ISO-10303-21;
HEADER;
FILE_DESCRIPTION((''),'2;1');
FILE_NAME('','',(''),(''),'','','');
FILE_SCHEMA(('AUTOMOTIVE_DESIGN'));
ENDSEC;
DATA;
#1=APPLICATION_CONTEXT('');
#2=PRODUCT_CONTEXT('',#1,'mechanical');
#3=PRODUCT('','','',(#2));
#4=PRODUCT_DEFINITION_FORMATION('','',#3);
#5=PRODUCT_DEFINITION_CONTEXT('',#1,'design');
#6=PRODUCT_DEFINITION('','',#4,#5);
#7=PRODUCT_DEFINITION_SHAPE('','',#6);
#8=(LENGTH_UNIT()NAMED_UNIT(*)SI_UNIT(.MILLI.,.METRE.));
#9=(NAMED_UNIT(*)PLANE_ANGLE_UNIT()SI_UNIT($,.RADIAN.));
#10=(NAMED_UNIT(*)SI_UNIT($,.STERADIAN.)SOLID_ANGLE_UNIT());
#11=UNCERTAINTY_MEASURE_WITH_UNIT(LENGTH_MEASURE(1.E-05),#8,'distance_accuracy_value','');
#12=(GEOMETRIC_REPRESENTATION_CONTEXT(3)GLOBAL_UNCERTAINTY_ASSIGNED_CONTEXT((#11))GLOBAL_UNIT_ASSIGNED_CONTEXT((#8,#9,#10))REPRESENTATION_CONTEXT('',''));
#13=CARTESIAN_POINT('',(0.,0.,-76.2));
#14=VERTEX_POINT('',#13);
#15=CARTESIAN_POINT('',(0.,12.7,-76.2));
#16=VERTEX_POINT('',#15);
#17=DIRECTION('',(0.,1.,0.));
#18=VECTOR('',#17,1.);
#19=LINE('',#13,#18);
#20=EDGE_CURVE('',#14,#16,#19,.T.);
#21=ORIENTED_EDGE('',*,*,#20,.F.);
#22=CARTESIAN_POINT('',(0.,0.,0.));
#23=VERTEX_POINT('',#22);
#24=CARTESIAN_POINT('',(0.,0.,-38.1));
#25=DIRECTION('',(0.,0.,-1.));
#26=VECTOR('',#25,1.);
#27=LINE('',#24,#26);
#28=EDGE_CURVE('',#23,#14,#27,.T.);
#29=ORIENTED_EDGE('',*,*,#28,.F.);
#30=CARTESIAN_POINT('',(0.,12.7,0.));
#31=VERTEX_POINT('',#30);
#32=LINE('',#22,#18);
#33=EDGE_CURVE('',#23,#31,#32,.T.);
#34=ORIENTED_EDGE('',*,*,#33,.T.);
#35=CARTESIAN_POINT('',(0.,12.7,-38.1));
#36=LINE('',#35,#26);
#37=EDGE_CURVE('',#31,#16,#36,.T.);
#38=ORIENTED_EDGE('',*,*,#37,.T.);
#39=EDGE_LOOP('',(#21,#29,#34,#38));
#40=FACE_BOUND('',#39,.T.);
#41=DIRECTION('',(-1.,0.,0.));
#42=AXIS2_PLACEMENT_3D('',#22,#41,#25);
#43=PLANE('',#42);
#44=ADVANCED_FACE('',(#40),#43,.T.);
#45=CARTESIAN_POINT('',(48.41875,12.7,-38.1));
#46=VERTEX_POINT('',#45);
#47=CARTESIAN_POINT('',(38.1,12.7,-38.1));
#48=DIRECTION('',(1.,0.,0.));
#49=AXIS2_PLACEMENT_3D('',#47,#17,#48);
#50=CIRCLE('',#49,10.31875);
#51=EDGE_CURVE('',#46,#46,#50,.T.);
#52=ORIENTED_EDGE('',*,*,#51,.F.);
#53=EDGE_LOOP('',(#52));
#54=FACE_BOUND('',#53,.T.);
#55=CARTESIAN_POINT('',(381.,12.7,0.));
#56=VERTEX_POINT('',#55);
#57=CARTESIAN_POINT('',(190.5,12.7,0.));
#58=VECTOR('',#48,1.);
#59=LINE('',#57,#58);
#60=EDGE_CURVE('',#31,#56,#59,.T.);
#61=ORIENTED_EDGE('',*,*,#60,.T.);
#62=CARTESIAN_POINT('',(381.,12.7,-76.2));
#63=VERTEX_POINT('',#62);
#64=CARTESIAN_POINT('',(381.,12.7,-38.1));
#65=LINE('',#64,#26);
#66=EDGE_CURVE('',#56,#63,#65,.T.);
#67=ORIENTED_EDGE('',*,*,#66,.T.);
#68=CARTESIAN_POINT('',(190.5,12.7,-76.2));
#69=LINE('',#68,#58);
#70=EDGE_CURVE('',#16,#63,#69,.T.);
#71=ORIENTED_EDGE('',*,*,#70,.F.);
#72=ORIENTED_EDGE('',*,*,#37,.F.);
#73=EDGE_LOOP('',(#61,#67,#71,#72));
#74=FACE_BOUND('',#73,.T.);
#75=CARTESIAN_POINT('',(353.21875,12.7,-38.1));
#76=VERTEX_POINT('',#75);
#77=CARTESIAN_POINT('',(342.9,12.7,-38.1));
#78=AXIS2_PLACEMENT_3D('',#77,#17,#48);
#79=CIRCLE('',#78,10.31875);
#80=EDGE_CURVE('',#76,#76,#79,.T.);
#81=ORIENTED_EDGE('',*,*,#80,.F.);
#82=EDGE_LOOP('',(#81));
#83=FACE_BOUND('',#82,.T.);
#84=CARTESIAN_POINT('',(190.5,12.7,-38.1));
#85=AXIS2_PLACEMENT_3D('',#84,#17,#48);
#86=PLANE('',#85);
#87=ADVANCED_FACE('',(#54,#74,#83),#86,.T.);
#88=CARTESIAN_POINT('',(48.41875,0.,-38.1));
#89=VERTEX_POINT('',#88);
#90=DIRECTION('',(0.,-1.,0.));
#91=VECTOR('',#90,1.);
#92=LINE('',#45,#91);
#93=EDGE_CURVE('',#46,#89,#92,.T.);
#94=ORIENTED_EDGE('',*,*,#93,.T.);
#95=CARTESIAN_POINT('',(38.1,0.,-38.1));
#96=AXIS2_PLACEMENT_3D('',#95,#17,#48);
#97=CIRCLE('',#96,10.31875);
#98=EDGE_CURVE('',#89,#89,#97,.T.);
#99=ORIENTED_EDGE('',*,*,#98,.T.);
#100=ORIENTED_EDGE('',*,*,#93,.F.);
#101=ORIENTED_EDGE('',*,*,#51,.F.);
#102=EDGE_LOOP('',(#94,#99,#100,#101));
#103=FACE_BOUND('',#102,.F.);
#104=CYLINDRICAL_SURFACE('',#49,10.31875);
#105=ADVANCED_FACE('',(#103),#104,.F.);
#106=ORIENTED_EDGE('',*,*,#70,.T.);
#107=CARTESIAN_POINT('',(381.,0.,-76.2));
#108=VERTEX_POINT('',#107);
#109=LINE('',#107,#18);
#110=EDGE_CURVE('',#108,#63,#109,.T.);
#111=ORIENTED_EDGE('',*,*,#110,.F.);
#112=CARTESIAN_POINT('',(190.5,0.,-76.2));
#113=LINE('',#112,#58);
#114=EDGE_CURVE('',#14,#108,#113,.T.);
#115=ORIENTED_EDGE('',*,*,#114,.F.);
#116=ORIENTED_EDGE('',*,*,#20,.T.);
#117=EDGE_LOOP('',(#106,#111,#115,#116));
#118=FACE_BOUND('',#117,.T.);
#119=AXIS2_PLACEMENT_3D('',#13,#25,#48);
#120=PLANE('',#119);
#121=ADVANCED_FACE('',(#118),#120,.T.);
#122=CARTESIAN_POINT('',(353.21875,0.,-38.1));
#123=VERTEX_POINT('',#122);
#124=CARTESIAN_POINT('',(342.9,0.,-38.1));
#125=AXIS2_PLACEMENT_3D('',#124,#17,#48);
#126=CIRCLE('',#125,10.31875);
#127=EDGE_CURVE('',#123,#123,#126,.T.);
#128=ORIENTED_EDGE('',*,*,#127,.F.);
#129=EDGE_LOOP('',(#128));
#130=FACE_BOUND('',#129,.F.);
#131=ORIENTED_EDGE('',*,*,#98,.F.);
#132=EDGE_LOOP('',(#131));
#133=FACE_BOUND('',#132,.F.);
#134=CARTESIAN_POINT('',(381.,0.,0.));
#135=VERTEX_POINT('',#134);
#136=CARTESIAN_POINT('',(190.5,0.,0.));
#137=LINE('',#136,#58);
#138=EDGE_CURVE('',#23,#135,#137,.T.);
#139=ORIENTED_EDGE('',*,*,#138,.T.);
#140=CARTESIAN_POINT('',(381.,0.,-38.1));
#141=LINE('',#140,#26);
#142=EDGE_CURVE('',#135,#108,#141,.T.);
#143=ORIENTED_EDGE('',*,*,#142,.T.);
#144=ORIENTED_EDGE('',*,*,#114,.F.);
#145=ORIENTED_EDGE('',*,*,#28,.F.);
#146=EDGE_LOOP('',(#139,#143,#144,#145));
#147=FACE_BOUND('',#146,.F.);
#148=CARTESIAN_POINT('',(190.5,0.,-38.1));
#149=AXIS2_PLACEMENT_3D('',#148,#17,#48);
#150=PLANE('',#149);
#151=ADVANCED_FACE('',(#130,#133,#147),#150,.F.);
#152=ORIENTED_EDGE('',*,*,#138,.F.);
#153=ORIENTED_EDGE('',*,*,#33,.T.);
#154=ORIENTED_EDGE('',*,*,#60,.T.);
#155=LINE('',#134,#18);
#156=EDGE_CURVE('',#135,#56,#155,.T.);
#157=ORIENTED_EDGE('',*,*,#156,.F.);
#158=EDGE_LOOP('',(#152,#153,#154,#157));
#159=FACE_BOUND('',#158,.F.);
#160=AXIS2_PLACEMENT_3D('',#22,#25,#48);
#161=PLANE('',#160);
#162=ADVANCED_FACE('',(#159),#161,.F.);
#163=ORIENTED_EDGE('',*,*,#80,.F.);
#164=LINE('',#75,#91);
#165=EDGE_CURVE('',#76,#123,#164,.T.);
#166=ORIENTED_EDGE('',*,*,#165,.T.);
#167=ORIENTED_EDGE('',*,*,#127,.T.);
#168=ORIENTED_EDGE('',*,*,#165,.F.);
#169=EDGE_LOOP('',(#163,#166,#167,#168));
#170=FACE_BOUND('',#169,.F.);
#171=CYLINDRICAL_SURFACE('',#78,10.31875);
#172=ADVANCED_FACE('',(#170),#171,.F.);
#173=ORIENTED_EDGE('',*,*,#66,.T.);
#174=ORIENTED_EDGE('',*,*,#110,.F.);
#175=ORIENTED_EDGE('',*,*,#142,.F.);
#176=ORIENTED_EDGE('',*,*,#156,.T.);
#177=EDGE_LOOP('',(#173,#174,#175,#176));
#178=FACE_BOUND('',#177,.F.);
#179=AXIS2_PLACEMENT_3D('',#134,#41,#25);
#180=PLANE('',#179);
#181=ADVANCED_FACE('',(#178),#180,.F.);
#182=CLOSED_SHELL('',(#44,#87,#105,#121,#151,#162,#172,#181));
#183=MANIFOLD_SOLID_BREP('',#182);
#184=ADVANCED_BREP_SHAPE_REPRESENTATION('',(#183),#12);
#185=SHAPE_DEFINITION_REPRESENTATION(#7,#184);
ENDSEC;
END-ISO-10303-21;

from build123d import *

# Parameters (mm, degrees)
SKETCH1_W           = 381
SKETCH1_H           = 76.2
BOSS_EXTRUDE1_DEPTH = 12.7
CUT_EXTRUDE1_REACH  = 14.7
SKETCH2_R           = 10.31875


with BuildPart() as part:
    # Sketch1 → Boss-Extrude1 (new body)
    with BuildSketch(Plane(origin=(0, 0, 0), x_dir=(1, 0, 0), z_dir=(0, 1, 0))):
        with Locations((190.5, 38.1)):
            Rectangle(SKETCH1_W, SKETCH1_H)
    extrude(amount=BOSS_EXTRUDE1_DEPTH)

    # Sketch2 → Cut-Extrude1 (cut, up to next)
    with BuildSketch(Plane(origin=(0, 12.7, 0), x_dir=(1, 0, 0), z_dir=(0, 1, 0)), mode=Mode.PRIVATE) as cut_extrude1_sk1:
        with Locations((38.1, 38.1)):
            Circle(SKETCH2_R)
    cut_extrude1_tool1 = extrude(cut_extrude1_sk1.sketch, amount=-CUT_EXTRUDE1_REACH, mode=Mode.PRIVATE) & part.part
    add(cut_extrude1_tool1.solids().sort_by_distance((38.1, 12.7, -38.1))[0], mode=Mode.SUBTRACT)
    # Sketch2 → Cut-Extrude1 (cut, up to next)
    with BuildSketch(Plane(origin=(0, 12.7, 0), x_dir=(1, 0, 0), z_dir=(0, 1, 0)), mode=Mode.PRIVATE) as cut_extrude1_sk2:
        with Locations((342.9, 38.1)):
            Circle(SKETCH2_R)
    cut_extrude1_tool2 = extrude(cut_extrude1_sk2.sketch, amount=-CUT_EXTRUDE1_REACH, mode=Mode.PRIVATE) & part.part
    add(cut_extrude1_tool2.solids().sort_by_distance((342.9, 12.7, -38.1))[0], mode=Mode.SUBTRACT)


solid = part.part
